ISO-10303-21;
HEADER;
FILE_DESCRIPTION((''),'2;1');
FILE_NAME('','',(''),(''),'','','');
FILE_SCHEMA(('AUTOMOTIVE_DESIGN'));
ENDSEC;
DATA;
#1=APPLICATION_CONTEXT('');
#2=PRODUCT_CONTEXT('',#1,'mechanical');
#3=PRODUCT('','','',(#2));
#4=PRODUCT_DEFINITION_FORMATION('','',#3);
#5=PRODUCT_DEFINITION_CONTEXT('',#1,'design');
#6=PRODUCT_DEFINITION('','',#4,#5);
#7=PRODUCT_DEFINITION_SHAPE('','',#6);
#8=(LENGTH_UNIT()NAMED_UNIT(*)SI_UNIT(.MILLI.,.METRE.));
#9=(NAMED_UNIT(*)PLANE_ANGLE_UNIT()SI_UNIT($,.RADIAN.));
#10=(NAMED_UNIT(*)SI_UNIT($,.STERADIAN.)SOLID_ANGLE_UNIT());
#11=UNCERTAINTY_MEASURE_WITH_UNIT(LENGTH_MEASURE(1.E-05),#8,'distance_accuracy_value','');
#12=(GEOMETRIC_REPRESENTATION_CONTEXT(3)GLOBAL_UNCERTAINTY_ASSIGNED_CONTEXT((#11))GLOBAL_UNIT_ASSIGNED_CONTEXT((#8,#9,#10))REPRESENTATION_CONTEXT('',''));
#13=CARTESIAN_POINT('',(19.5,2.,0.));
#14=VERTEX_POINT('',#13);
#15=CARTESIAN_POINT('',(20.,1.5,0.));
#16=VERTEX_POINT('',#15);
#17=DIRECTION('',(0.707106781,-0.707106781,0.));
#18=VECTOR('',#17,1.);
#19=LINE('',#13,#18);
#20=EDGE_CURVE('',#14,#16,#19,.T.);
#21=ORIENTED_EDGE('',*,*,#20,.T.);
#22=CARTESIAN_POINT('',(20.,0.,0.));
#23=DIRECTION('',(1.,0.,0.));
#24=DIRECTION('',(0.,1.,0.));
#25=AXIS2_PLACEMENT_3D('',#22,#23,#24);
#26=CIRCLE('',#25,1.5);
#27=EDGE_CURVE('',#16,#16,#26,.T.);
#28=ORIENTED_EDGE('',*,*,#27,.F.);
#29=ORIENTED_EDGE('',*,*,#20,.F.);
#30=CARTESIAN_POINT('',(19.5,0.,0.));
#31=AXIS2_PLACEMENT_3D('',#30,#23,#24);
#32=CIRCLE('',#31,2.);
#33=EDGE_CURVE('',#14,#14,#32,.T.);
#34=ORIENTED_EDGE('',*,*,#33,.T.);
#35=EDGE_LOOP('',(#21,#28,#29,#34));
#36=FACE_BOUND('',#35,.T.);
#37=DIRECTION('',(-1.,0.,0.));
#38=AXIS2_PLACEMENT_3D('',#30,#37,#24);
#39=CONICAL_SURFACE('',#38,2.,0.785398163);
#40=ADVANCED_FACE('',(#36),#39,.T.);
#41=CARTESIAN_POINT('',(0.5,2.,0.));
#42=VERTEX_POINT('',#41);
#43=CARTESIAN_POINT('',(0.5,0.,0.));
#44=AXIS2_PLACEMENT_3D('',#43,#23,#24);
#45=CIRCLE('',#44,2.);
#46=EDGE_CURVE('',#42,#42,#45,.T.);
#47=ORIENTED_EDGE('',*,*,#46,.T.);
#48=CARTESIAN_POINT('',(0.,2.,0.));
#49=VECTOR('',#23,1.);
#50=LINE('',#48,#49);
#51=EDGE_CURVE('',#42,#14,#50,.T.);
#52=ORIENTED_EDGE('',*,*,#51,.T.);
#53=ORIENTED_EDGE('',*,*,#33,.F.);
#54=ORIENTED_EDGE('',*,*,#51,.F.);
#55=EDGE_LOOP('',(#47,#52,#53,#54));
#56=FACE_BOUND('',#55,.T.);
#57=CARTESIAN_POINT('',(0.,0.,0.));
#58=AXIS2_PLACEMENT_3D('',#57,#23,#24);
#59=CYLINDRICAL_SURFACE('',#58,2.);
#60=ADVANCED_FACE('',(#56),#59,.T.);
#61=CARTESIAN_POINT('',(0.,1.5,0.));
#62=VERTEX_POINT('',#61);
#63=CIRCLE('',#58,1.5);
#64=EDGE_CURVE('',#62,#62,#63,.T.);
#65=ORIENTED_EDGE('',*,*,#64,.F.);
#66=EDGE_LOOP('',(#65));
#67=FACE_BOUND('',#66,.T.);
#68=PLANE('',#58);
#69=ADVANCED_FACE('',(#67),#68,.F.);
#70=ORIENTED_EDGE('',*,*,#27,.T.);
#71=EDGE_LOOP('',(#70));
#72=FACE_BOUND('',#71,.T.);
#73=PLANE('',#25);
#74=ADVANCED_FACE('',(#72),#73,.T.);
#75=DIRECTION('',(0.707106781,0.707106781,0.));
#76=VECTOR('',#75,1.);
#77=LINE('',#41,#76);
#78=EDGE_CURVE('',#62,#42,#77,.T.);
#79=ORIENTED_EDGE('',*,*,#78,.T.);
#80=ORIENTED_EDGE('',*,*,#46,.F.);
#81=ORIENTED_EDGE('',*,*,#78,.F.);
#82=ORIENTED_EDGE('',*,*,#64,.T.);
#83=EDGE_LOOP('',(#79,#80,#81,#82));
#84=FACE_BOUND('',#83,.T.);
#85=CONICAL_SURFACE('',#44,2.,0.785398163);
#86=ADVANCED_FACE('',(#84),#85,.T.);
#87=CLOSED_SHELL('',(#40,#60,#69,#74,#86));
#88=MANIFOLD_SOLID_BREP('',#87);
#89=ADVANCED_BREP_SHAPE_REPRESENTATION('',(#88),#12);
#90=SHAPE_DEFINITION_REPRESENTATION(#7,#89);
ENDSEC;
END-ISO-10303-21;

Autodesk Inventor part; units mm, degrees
ref_plane "Start Plane" through (0, 0, 0) normal (1, 0, 0) x (0, 1, 0)
ref_plane "XZ Plane" through (0, 0, 0) normal (0, 1, 0) x (-1, 0, 0)
ref_plane "XY Plane" through (0, 0, 0) normal (0, 0, 1) x (1, 0, 0)
sketch "Main Sketch" plane through (0, 0, 0) normal (0, 0, 1) x (1, 0, 0)
  line L0 (0, 0) -> (20, 0)
  line L1 (0, 0) -> (0, 2)
  line L2 (20, 2) -> (20, 0)
  line L3 (0, 2) -> (20, 2)
  dimension "d3" = 4
revolve "Revolution1" add sketch "Main Sketch" angle 360 about axis through (0, 0, 0) along (1, 0, 0)
chamfer "Chamfer1" distance 0.5 angle 45 1 edges at (0, -2, 0) measured on face at (13.3333, 1.9741, -0.3208)
chamfer "Chamfer2" distance 0.5 angle 45 1 edges at (20, -2, 0) measured on face at (13.5, 1.9935, -0.1609)
properties part number "Eje motor - Interno" material "Steel"
